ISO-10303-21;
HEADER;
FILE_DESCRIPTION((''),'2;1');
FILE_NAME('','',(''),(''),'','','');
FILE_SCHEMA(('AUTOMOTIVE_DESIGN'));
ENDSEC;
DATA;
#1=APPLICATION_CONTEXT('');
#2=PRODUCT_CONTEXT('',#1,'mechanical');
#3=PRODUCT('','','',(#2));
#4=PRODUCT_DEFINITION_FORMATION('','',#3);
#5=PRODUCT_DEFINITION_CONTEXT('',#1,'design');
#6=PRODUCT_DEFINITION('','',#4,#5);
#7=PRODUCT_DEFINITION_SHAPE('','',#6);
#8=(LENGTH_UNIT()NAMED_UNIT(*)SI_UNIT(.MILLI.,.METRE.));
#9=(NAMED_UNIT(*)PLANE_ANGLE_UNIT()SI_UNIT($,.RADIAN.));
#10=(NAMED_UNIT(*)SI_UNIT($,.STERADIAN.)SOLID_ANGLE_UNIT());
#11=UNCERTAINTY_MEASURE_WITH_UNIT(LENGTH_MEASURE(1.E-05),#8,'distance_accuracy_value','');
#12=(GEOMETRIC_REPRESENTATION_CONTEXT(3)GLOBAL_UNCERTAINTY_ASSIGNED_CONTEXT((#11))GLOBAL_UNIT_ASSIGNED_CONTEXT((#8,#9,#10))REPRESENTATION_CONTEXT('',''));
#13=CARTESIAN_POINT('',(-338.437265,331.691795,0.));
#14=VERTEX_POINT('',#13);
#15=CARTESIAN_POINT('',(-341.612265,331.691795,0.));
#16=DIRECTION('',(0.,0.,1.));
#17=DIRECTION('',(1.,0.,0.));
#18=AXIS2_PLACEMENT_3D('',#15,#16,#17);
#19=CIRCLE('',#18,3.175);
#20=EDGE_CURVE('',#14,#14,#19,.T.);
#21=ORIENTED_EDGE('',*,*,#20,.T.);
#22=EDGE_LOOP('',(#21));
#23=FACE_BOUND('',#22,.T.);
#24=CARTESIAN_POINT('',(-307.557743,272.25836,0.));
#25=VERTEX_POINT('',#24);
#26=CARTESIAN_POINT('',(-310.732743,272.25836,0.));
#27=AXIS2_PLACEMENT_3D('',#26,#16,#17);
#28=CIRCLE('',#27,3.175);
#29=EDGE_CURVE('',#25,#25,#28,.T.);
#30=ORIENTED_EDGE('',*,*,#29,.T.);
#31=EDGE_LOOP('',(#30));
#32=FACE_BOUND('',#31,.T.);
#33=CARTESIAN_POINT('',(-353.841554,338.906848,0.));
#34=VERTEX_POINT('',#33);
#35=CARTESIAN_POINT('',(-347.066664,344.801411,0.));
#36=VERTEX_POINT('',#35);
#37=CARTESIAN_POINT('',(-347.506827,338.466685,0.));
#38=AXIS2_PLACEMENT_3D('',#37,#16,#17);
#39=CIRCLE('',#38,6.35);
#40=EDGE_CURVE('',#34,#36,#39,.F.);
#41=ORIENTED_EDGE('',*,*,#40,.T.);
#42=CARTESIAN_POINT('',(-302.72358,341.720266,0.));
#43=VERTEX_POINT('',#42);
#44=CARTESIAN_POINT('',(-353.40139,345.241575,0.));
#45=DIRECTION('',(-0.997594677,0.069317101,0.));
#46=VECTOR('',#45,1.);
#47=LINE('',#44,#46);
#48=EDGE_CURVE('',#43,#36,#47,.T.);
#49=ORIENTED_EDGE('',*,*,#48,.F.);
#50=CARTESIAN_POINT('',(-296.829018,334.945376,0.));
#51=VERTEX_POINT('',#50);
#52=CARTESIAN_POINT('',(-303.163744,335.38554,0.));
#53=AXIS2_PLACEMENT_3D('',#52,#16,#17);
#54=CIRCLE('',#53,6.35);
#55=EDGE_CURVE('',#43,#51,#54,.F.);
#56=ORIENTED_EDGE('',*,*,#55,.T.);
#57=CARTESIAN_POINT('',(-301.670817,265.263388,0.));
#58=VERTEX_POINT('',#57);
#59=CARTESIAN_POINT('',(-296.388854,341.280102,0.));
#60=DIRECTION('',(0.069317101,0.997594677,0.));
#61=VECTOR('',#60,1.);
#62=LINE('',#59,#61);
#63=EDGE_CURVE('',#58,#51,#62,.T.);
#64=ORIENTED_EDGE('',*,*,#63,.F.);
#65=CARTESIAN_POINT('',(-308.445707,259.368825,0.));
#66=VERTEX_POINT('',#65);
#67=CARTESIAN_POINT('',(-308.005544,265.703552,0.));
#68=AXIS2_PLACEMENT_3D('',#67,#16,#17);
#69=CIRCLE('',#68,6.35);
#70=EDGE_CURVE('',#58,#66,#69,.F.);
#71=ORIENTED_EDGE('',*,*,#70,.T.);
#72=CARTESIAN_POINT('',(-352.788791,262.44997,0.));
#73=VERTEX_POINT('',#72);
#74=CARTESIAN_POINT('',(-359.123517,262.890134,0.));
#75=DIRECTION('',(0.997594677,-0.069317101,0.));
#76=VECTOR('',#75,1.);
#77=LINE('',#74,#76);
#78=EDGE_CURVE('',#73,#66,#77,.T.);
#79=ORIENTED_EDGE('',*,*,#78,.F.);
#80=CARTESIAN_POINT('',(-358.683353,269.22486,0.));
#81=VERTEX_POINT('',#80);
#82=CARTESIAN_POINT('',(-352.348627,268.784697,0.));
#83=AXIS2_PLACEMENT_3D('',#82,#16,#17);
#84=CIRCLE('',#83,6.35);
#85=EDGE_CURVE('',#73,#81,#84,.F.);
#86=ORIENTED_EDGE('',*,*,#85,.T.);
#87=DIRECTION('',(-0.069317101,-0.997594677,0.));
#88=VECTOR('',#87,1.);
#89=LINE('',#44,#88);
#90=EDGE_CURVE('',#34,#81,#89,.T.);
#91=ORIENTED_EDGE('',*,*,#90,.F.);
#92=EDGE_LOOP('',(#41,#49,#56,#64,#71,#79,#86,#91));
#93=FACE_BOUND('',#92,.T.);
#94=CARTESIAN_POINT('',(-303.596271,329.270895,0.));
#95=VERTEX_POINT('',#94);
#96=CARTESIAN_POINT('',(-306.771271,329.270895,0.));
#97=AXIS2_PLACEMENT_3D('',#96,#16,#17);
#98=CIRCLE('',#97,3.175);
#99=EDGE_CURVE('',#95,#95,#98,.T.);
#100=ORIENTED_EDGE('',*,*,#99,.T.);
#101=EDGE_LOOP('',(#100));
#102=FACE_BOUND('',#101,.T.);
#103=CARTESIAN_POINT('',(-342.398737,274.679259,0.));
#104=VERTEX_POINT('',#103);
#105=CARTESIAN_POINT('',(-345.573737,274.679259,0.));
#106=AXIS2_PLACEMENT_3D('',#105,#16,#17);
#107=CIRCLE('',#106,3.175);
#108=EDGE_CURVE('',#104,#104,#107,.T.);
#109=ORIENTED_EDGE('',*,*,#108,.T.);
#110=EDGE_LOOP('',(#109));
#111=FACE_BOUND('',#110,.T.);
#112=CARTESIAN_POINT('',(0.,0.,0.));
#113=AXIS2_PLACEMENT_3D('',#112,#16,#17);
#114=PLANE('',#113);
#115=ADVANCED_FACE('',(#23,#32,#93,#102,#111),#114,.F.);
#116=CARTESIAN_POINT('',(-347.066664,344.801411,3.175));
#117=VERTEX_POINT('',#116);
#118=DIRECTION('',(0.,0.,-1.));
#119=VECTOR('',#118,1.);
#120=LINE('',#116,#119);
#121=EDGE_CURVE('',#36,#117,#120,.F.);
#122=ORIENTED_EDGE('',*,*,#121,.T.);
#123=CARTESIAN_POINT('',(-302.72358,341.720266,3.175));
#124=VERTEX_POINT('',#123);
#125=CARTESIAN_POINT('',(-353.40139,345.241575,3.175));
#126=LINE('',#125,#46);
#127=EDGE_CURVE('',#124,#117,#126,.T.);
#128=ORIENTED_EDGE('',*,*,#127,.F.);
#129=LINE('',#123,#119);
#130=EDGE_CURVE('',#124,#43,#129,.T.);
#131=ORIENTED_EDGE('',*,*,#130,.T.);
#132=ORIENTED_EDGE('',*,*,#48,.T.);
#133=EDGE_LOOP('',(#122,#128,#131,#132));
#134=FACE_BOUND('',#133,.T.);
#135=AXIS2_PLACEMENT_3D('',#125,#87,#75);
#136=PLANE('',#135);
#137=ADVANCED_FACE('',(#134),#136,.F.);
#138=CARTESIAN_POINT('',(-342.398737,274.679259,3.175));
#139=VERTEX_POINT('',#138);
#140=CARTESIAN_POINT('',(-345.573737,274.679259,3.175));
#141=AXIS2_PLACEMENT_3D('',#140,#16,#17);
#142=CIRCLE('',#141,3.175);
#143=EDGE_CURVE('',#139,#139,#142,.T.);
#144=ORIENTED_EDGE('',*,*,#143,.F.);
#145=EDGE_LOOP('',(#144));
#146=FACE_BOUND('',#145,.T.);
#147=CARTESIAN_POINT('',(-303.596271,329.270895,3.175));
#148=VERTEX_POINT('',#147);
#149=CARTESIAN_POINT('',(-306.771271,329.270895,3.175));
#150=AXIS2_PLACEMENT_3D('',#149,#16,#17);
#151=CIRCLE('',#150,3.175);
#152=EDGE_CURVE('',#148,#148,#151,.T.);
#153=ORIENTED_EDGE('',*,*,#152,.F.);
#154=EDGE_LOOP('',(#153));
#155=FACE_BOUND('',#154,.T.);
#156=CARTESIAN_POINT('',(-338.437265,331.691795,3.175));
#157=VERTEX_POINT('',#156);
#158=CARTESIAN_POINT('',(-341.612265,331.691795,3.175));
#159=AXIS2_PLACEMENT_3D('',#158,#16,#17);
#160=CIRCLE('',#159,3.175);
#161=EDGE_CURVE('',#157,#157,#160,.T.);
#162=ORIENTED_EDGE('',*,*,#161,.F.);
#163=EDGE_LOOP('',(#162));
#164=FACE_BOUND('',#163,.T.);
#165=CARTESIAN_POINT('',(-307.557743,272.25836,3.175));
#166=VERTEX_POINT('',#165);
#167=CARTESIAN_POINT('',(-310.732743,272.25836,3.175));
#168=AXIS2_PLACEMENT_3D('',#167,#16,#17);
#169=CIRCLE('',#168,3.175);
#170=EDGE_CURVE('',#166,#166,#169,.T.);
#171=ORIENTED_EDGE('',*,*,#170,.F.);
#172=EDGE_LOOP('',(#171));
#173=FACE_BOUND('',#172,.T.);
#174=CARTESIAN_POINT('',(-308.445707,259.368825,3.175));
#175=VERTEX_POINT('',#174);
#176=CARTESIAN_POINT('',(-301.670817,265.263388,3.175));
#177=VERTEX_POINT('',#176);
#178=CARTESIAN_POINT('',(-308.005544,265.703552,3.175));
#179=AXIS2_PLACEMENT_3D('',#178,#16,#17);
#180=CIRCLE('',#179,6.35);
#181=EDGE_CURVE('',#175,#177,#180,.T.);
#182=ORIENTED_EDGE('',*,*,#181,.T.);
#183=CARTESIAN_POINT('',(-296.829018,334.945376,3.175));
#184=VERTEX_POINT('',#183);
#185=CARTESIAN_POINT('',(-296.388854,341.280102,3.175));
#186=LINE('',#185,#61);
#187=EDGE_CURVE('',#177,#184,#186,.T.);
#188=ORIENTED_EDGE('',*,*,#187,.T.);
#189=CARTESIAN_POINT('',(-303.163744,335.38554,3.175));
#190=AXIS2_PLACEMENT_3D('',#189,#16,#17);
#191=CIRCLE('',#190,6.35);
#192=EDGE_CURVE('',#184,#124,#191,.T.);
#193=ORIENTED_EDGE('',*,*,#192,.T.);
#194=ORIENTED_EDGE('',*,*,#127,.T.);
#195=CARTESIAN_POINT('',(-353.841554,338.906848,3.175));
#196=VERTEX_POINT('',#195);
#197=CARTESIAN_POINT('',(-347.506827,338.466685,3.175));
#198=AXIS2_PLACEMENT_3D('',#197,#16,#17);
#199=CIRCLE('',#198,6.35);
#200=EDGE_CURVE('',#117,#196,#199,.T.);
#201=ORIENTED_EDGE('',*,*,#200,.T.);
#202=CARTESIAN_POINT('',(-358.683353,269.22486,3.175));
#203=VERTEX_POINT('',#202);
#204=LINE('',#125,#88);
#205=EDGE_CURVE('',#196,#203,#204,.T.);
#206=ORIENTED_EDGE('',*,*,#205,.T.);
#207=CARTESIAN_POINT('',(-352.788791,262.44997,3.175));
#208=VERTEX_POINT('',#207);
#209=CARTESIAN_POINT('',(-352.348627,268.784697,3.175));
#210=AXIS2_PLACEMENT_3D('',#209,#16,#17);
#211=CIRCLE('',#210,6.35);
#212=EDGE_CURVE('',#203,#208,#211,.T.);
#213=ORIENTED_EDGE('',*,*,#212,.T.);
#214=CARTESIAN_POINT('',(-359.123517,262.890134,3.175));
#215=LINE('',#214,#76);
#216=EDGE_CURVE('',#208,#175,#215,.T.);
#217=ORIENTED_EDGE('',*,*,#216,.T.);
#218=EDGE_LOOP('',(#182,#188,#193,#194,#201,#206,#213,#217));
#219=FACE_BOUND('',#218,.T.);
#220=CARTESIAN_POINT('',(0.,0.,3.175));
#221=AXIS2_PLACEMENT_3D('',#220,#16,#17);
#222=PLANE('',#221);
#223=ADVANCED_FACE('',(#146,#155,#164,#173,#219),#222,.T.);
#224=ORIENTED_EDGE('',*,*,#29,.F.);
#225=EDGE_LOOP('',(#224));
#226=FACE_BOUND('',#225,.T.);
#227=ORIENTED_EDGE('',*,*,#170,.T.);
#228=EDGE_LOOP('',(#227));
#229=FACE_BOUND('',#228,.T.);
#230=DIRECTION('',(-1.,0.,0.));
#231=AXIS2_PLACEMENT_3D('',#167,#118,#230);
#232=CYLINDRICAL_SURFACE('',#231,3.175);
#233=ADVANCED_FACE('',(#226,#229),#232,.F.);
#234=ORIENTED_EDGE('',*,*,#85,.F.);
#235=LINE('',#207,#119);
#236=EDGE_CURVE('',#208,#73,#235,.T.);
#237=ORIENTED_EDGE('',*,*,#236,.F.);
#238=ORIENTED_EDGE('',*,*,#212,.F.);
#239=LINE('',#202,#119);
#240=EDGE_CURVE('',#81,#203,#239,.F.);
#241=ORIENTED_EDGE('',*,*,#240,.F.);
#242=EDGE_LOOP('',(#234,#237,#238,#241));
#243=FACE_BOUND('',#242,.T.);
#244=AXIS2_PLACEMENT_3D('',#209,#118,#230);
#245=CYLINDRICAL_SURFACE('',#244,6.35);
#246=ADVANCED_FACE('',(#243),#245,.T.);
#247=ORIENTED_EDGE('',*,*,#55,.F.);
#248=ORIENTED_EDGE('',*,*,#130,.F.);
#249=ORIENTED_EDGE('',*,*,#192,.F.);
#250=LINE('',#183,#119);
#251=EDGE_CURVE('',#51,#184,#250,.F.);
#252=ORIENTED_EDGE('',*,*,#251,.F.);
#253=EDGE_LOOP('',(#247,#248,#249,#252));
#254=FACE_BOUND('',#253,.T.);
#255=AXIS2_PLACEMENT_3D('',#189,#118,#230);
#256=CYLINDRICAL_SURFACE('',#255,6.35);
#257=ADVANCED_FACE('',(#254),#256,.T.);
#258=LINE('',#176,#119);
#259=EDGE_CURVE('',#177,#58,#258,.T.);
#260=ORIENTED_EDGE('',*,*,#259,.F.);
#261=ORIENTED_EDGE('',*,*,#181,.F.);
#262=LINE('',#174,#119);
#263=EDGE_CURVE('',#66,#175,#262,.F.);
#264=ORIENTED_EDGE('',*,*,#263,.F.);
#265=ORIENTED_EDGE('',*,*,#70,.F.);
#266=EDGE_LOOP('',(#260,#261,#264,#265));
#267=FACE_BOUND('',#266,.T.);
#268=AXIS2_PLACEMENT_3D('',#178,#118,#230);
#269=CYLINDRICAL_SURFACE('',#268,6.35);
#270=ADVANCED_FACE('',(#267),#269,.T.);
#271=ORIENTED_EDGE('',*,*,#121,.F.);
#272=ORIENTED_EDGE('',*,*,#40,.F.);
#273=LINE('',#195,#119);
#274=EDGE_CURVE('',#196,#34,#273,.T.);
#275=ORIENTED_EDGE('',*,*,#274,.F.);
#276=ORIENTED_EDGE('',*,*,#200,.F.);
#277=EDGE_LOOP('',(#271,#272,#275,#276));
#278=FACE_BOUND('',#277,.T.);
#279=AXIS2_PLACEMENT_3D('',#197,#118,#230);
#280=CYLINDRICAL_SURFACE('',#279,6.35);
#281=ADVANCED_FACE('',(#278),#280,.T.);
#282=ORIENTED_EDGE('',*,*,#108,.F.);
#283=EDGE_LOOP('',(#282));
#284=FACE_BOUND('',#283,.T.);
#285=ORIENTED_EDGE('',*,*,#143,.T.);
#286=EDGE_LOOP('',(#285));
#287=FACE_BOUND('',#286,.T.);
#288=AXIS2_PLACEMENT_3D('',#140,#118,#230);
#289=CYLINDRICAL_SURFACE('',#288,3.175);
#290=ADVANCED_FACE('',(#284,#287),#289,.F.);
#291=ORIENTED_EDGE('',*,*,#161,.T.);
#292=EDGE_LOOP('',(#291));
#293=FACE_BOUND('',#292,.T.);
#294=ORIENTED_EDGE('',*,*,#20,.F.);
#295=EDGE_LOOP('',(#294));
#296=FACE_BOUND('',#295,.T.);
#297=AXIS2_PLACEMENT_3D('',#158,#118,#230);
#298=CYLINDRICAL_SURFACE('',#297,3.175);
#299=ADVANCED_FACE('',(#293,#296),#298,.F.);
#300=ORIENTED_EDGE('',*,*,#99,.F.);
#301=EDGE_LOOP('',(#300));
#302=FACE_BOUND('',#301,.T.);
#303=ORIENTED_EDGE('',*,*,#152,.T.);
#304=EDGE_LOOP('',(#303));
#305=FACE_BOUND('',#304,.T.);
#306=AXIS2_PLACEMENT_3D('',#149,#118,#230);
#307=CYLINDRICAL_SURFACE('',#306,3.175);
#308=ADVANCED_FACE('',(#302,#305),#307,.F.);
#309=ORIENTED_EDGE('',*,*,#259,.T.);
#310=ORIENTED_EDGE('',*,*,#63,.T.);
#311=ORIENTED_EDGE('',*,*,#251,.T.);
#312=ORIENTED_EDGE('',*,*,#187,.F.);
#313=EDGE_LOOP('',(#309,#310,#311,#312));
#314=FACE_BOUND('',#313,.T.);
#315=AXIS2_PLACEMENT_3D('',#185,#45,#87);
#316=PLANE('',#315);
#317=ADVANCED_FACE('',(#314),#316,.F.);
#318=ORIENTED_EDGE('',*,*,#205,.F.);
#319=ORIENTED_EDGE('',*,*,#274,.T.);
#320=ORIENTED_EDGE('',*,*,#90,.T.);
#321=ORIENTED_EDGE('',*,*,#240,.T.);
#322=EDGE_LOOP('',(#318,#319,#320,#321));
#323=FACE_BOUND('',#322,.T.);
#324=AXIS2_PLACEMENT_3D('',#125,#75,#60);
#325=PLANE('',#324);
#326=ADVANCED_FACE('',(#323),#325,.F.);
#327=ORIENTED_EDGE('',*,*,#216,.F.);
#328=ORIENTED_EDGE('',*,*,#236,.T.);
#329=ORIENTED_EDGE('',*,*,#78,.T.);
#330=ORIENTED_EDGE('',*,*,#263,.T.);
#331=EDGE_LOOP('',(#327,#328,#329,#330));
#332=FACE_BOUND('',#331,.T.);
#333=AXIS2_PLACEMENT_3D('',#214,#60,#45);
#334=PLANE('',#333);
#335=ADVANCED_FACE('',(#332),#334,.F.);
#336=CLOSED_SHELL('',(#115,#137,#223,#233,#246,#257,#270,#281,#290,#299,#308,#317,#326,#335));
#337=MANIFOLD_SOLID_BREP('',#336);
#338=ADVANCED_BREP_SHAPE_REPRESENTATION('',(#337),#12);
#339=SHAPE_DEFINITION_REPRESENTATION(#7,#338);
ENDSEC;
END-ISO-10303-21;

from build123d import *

# Parameters (mm, degrees)
SKETCH1_R           = 3.175
BOSS_EXTRUDE1_DEPTH = 3.175
FILLET1_R           = 6.35


with BuildPart() as part:
    # Sketch1 → Boss-Extrude1 (new body)
    with BuildSketch(Plane.XY):
        Polygon((-353.401390066, 345.241574638), (-296.388854277, 341.280102322), (-302.110980955, 258.928661738), (-359.123516744, 262.890134053), align=None)
        with Locations((-306.771270757, 329.270895311)):
            Circle(SKETCH1_R, mode=Mode.SUBTRACT)
        with Locations((-341.61226485, 331.691795059)):
            Circle(SKETCH1_R, mode=Mode.SUBTRACT)
        with Locations((-345.573737165, 274.67925927)):
            Circle(SKETCH1_R, mode=Mode.SUBTRACT)
        with Locations((-310.732743072, 272.258359522)):
            Circle(SKETCH1_R, mode=Mode.SUBTRACT)
    extrude(amount=BOSS_EXTRUDE1_DEPTH)

    # Fillet1
    fillet1_edges = [part.edges().sort_by_distance(p)[0] for p in [
        (-353.401390066, 345.241574638, 1.5875),
        (-296.388854277, 341.280102322, 1.5875),
        (-302.110980955, 258.928661738, 1.5875),
        (-359.123516744, 262.890134053, 1.5875),
    ]]
    fillet(fillet1_edges, radius=FILLET1_R)


solid = part.part
